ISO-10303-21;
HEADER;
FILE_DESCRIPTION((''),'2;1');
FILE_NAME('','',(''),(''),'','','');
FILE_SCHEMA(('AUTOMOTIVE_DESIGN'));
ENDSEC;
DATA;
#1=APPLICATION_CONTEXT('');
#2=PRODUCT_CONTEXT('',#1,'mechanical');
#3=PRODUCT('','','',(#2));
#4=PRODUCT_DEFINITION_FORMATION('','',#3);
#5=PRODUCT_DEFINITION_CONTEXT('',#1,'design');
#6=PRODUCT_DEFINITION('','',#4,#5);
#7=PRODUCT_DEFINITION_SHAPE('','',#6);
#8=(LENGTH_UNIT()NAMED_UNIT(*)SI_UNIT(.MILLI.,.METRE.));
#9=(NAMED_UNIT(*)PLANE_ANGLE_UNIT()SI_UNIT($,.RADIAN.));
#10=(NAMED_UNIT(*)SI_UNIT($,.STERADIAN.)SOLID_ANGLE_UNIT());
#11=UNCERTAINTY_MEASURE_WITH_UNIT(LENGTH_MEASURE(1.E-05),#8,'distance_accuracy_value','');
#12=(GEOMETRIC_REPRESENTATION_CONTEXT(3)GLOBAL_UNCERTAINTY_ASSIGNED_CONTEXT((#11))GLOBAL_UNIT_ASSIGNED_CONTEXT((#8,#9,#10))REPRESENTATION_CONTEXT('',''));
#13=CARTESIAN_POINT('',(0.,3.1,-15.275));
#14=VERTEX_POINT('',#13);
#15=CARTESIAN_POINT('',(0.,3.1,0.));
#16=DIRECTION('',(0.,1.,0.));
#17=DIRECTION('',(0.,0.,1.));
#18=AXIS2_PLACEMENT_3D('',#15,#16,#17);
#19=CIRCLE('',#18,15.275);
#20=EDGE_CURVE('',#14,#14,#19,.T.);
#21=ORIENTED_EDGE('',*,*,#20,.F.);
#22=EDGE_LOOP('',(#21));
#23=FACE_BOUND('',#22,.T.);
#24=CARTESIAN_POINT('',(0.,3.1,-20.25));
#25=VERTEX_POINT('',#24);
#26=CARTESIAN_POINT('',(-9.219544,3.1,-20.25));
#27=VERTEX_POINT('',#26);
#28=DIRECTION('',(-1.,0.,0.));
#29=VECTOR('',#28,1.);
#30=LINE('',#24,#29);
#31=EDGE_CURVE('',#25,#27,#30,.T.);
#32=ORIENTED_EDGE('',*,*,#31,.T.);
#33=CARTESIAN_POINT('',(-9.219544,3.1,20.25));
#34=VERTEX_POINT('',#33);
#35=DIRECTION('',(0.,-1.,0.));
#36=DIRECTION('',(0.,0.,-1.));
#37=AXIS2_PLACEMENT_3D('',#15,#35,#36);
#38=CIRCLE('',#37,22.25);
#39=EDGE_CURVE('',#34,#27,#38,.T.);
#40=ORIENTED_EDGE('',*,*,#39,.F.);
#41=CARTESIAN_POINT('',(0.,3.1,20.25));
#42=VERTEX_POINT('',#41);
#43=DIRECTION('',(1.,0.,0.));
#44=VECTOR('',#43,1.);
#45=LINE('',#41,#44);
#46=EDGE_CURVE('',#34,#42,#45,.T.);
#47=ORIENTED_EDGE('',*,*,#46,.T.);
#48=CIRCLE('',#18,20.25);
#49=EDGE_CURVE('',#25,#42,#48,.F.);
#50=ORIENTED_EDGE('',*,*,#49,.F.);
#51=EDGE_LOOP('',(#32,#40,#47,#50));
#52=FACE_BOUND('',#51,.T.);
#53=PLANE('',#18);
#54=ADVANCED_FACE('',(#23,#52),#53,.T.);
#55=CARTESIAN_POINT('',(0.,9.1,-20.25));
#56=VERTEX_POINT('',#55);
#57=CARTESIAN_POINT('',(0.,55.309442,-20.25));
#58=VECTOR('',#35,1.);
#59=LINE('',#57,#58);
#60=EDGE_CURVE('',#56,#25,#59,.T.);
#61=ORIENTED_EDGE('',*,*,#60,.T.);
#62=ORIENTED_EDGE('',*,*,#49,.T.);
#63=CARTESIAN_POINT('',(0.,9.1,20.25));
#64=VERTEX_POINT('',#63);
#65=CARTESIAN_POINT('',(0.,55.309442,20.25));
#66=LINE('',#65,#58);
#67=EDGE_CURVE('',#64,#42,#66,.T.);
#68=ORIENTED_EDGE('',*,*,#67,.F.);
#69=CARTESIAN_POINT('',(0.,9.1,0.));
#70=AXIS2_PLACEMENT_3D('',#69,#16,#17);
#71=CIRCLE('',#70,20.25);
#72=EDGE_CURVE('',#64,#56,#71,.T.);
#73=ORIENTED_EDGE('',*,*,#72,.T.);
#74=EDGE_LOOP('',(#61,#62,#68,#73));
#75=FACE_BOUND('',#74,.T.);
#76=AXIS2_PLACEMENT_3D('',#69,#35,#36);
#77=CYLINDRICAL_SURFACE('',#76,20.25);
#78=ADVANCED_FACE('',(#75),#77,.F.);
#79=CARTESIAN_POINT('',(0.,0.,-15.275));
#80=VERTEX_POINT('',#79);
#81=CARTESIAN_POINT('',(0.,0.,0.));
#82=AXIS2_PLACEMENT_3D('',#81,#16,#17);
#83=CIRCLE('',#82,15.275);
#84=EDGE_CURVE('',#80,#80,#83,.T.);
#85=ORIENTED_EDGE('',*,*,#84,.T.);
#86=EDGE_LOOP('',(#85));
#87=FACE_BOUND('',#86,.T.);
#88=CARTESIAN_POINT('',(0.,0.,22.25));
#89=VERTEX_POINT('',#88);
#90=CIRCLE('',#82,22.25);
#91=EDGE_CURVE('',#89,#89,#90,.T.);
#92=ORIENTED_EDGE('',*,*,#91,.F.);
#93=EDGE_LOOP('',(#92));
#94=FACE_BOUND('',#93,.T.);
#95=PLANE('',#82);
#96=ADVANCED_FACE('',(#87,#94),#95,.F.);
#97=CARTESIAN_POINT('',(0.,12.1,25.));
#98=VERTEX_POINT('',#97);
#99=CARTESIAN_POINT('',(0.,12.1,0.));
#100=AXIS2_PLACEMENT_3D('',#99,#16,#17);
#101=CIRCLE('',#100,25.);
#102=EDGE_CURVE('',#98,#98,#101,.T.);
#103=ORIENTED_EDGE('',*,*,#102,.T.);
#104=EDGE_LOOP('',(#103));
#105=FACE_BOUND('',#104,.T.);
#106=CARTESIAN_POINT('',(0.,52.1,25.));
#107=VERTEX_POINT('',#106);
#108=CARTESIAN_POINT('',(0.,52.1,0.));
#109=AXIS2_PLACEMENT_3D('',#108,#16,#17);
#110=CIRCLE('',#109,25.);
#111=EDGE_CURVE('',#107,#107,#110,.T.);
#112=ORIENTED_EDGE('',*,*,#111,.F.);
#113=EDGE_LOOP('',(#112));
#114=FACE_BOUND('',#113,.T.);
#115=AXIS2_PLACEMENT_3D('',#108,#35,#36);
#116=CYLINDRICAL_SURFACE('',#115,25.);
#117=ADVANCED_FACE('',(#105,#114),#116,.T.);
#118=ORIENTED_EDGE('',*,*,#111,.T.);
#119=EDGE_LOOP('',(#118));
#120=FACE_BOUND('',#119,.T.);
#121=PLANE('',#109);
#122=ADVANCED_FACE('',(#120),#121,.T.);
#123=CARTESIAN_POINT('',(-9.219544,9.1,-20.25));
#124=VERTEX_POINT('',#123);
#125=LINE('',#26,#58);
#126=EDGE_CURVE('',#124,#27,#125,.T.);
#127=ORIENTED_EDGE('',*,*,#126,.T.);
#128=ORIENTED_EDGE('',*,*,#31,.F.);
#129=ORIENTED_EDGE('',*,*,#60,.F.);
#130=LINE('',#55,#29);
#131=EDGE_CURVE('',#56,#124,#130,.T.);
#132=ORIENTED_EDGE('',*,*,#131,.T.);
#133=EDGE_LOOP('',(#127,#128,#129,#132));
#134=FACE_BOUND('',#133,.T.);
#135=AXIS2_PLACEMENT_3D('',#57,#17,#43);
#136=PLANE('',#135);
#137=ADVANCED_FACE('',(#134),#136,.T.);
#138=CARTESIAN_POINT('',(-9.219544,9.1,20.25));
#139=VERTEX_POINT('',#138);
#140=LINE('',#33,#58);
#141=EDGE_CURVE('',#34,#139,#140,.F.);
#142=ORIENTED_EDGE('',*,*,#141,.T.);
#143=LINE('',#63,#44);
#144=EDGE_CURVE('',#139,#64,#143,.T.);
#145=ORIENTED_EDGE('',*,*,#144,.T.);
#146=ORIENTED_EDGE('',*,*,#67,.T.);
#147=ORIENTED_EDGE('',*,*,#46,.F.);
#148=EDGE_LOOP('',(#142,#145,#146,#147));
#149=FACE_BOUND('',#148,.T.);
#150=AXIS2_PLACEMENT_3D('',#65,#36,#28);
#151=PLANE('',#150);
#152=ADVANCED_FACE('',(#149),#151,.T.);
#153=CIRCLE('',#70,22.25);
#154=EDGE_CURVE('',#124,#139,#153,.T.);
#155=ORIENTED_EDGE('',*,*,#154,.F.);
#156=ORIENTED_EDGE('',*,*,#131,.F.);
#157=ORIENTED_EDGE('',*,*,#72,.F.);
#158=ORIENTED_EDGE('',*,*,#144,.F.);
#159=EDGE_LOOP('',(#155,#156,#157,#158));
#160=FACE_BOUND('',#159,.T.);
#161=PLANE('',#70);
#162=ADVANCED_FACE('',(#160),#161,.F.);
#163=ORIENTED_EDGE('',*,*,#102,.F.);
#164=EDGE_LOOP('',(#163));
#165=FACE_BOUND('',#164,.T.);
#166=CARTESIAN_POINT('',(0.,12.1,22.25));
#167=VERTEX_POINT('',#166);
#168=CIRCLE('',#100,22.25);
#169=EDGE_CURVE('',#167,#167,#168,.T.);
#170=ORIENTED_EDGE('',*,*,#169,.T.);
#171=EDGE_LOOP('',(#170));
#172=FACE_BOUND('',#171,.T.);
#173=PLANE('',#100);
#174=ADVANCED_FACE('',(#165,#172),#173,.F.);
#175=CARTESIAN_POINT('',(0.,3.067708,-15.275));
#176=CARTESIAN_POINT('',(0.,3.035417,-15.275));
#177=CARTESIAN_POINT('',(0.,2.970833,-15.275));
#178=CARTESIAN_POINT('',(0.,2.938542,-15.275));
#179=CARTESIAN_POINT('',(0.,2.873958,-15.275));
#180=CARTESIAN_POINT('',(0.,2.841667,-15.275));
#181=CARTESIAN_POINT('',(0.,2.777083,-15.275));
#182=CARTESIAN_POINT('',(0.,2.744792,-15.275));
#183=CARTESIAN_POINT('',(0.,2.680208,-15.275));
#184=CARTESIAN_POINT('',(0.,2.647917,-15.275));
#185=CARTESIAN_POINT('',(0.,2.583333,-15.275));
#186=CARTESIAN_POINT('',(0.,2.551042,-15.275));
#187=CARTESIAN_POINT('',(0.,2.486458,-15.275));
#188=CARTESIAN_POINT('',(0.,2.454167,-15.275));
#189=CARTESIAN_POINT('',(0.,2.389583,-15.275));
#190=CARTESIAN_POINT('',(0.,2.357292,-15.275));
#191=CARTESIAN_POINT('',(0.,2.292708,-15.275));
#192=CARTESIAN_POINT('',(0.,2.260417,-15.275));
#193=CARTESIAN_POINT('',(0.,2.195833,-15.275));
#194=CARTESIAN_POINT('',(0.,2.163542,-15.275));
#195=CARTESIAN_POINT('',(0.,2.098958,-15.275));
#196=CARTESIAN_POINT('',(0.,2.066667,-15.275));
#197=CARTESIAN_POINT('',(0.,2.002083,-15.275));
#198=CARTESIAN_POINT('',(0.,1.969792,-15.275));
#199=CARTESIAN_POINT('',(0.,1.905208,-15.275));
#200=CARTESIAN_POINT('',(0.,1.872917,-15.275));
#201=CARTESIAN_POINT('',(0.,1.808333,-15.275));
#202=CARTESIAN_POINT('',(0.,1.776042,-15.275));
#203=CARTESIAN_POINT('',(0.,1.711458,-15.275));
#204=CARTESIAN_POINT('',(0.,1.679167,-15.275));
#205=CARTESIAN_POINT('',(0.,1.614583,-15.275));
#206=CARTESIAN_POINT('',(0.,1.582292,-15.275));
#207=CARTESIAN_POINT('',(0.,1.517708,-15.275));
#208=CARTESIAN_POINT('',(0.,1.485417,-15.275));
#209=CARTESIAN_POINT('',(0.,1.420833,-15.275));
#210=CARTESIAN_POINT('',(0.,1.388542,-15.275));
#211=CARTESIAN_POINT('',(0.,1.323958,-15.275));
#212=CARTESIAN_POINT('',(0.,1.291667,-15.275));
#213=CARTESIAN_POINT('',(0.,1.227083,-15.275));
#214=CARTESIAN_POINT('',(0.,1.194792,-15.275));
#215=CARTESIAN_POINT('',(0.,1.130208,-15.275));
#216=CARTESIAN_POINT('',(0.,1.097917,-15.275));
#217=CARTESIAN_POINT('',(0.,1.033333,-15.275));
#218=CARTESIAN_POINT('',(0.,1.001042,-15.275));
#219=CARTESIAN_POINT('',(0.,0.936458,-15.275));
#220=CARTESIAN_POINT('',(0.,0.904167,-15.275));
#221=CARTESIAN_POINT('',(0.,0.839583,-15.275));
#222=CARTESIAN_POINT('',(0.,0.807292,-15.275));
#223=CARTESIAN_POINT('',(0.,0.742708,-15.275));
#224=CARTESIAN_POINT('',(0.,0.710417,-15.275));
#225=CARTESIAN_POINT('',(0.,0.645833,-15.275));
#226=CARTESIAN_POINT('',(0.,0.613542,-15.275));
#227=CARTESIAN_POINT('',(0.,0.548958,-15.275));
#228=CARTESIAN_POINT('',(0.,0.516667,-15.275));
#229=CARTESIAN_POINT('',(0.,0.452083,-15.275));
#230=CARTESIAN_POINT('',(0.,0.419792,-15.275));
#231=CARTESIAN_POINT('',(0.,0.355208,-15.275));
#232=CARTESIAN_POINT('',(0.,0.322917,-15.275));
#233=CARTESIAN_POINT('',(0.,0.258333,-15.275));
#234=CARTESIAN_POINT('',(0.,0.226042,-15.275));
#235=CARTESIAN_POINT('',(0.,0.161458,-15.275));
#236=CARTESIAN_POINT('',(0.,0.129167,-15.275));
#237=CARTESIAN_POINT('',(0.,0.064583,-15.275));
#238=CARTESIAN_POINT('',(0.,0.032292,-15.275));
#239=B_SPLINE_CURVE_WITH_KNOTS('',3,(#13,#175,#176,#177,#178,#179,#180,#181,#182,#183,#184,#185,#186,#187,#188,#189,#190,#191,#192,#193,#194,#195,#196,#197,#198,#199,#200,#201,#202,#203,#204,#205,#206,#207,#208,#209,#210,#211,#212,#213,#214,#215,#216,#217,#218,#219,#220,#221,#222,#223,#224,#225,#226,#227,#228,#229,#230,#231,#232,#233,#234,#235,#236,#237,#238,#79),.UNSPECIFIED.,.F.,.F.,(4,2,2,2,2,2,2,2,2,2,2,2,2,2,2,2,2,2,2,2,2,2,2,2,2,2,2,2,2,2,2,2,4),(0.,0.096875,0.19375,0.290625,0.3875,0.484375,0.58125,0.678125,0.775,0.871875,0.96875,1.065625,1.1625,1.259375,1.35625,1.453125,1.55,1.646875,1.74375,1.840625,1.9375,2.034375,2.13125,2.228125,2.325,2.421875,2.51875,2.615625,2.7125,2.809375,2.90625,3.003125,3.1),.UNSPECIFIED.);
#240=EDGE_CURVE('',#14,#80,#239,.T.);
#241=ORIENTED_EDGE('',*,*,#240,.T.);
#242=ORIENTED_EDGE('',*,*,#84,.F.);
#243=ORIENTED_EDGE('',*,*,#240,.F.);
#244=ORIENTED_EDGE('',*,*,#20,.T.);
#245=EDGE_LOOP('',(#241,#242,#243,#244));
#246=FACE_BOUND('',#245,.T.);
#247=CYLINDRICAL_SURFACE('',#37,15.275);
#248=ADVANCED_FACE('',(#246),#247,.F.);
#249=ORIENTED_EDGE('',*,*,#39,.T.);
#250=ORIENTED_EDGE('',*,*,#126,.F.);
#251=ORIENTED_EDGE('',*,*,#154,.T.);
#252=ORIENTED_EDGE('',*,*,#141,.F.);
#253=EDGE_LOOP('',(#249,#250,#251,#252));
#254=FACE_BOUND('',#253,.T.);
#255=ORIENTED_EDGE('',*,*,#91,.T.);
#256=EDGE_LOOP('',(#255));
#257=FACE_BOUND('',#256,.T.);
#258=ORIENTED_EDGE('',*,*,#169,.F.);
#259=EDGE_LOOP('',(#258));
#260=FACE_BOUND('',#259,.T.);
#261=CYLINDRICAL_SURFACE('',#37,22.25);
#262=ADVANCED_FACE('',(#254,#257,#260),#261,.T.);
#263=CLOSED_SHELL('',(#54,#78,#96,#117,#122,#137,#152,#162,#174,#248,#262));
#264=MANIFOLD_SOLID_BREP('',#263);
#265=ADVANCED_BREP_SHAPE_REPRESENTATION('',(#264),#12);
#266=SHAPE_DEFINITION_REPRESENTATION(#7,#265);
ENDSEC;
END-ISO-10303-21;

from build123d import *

# Parameters (mm, degrees)
SKETCH5_R           = 22.25
SKETCH5_R_2         = 15.275
BOSS_EXTRUDE1_DEPTH = 3.1
SKETCH6_R           = 22.25
SKETCH6_R_2         = 20.25
BOSS_EXTRUDE2_DEPTH = 6
SKETCH7_R           = 22.25
BOSS_EXTRUDE3_DEPTH = 3
SKETCH8_R           = 25
BOSS_EXTRUDE4_DEPTH = 40
SKETCH9_W           = 22.25
SKETCH9_H           = 40.5
CUT_EXTRUDE1_DEPTH  = 6


with BuildPart() as part:
    # Sketch5 → Boss-Extrude1 (new body)
    with BuildSketch(Plane(origin=(0, 0, 0), x_dir=(1, 0, 0), z_dir=(0, 1, 0))):
        with Locations(Location((0, 0, 0), (0, 0, 90))):
            Circle(SKETCH5_R)
        with Locations(Location((0, 0, 0), (0, 0, 90))):
            Circle(SKETCH5_R_2, mode=Mode.SUBTRACT)
    extrude(amount=BOSS_EXTRUDE1_DEPTH)

    # Sketch6 → Boss-Extrude2 (add)
    with BuildSketch(Plane(origin=(0, 3.1, 0), x_dir=(1, 0, 0), z_dir=(0, 1, 0))):
        with Locations(Location((0, 0, 0), (0, 0, 90))):
            Circle(SKETCH6_R)
        with Locations(Location((0, 0, 0), (0, 0, 270))):
            Circle(SKETCH6_R_2, mode=Mode.SUBTRACT)
    extrude(amount=BOSS_EXTRUDE2_DEPTH)

    # Sketch7 → Boss-Extrude3 (add)
    with BuildSketch(Plane(origin=(0, 9.1, 0), x_dir=(1, 0, 0), z_dir=(0, 1, 0))):
        with Locations(Location((0, 0, 0), (0, 0, 90))):
            Circle(SKETCH7_R)
    extrude(amount=BOSS_EXTRUDE3_DEPTH)

    # Sketch8 → Boss-Extrude4 (add)
    with BuildSketch(Plane(origin=(0, 12.1, 0), x_dir=(1, 0, 0), z_dir=(0, 1, 0))):
        with Locations(Location((0, 0, 0), (0, 0, 270))):
            Circle(SKETCH8_R)
    extrude(amount=BOSS_EXTRUDE4_DEPTH)

    # Sketch9 → Cut-Extrude1 (cut)
    with BuildSketch(Plane(origin=(0, 3.1, 0), x_dir=(1, 0, 0), z_dir=(0, 1, 0))):
        with Locations((-11.125, 0)):
            Rectangle(SKETCH9_W, SKETCH9_H)
    extrude(amount=CUT_EXTRUDE1_DEPTH, mode=Mode.SUBTRACT)


solid = part.part
